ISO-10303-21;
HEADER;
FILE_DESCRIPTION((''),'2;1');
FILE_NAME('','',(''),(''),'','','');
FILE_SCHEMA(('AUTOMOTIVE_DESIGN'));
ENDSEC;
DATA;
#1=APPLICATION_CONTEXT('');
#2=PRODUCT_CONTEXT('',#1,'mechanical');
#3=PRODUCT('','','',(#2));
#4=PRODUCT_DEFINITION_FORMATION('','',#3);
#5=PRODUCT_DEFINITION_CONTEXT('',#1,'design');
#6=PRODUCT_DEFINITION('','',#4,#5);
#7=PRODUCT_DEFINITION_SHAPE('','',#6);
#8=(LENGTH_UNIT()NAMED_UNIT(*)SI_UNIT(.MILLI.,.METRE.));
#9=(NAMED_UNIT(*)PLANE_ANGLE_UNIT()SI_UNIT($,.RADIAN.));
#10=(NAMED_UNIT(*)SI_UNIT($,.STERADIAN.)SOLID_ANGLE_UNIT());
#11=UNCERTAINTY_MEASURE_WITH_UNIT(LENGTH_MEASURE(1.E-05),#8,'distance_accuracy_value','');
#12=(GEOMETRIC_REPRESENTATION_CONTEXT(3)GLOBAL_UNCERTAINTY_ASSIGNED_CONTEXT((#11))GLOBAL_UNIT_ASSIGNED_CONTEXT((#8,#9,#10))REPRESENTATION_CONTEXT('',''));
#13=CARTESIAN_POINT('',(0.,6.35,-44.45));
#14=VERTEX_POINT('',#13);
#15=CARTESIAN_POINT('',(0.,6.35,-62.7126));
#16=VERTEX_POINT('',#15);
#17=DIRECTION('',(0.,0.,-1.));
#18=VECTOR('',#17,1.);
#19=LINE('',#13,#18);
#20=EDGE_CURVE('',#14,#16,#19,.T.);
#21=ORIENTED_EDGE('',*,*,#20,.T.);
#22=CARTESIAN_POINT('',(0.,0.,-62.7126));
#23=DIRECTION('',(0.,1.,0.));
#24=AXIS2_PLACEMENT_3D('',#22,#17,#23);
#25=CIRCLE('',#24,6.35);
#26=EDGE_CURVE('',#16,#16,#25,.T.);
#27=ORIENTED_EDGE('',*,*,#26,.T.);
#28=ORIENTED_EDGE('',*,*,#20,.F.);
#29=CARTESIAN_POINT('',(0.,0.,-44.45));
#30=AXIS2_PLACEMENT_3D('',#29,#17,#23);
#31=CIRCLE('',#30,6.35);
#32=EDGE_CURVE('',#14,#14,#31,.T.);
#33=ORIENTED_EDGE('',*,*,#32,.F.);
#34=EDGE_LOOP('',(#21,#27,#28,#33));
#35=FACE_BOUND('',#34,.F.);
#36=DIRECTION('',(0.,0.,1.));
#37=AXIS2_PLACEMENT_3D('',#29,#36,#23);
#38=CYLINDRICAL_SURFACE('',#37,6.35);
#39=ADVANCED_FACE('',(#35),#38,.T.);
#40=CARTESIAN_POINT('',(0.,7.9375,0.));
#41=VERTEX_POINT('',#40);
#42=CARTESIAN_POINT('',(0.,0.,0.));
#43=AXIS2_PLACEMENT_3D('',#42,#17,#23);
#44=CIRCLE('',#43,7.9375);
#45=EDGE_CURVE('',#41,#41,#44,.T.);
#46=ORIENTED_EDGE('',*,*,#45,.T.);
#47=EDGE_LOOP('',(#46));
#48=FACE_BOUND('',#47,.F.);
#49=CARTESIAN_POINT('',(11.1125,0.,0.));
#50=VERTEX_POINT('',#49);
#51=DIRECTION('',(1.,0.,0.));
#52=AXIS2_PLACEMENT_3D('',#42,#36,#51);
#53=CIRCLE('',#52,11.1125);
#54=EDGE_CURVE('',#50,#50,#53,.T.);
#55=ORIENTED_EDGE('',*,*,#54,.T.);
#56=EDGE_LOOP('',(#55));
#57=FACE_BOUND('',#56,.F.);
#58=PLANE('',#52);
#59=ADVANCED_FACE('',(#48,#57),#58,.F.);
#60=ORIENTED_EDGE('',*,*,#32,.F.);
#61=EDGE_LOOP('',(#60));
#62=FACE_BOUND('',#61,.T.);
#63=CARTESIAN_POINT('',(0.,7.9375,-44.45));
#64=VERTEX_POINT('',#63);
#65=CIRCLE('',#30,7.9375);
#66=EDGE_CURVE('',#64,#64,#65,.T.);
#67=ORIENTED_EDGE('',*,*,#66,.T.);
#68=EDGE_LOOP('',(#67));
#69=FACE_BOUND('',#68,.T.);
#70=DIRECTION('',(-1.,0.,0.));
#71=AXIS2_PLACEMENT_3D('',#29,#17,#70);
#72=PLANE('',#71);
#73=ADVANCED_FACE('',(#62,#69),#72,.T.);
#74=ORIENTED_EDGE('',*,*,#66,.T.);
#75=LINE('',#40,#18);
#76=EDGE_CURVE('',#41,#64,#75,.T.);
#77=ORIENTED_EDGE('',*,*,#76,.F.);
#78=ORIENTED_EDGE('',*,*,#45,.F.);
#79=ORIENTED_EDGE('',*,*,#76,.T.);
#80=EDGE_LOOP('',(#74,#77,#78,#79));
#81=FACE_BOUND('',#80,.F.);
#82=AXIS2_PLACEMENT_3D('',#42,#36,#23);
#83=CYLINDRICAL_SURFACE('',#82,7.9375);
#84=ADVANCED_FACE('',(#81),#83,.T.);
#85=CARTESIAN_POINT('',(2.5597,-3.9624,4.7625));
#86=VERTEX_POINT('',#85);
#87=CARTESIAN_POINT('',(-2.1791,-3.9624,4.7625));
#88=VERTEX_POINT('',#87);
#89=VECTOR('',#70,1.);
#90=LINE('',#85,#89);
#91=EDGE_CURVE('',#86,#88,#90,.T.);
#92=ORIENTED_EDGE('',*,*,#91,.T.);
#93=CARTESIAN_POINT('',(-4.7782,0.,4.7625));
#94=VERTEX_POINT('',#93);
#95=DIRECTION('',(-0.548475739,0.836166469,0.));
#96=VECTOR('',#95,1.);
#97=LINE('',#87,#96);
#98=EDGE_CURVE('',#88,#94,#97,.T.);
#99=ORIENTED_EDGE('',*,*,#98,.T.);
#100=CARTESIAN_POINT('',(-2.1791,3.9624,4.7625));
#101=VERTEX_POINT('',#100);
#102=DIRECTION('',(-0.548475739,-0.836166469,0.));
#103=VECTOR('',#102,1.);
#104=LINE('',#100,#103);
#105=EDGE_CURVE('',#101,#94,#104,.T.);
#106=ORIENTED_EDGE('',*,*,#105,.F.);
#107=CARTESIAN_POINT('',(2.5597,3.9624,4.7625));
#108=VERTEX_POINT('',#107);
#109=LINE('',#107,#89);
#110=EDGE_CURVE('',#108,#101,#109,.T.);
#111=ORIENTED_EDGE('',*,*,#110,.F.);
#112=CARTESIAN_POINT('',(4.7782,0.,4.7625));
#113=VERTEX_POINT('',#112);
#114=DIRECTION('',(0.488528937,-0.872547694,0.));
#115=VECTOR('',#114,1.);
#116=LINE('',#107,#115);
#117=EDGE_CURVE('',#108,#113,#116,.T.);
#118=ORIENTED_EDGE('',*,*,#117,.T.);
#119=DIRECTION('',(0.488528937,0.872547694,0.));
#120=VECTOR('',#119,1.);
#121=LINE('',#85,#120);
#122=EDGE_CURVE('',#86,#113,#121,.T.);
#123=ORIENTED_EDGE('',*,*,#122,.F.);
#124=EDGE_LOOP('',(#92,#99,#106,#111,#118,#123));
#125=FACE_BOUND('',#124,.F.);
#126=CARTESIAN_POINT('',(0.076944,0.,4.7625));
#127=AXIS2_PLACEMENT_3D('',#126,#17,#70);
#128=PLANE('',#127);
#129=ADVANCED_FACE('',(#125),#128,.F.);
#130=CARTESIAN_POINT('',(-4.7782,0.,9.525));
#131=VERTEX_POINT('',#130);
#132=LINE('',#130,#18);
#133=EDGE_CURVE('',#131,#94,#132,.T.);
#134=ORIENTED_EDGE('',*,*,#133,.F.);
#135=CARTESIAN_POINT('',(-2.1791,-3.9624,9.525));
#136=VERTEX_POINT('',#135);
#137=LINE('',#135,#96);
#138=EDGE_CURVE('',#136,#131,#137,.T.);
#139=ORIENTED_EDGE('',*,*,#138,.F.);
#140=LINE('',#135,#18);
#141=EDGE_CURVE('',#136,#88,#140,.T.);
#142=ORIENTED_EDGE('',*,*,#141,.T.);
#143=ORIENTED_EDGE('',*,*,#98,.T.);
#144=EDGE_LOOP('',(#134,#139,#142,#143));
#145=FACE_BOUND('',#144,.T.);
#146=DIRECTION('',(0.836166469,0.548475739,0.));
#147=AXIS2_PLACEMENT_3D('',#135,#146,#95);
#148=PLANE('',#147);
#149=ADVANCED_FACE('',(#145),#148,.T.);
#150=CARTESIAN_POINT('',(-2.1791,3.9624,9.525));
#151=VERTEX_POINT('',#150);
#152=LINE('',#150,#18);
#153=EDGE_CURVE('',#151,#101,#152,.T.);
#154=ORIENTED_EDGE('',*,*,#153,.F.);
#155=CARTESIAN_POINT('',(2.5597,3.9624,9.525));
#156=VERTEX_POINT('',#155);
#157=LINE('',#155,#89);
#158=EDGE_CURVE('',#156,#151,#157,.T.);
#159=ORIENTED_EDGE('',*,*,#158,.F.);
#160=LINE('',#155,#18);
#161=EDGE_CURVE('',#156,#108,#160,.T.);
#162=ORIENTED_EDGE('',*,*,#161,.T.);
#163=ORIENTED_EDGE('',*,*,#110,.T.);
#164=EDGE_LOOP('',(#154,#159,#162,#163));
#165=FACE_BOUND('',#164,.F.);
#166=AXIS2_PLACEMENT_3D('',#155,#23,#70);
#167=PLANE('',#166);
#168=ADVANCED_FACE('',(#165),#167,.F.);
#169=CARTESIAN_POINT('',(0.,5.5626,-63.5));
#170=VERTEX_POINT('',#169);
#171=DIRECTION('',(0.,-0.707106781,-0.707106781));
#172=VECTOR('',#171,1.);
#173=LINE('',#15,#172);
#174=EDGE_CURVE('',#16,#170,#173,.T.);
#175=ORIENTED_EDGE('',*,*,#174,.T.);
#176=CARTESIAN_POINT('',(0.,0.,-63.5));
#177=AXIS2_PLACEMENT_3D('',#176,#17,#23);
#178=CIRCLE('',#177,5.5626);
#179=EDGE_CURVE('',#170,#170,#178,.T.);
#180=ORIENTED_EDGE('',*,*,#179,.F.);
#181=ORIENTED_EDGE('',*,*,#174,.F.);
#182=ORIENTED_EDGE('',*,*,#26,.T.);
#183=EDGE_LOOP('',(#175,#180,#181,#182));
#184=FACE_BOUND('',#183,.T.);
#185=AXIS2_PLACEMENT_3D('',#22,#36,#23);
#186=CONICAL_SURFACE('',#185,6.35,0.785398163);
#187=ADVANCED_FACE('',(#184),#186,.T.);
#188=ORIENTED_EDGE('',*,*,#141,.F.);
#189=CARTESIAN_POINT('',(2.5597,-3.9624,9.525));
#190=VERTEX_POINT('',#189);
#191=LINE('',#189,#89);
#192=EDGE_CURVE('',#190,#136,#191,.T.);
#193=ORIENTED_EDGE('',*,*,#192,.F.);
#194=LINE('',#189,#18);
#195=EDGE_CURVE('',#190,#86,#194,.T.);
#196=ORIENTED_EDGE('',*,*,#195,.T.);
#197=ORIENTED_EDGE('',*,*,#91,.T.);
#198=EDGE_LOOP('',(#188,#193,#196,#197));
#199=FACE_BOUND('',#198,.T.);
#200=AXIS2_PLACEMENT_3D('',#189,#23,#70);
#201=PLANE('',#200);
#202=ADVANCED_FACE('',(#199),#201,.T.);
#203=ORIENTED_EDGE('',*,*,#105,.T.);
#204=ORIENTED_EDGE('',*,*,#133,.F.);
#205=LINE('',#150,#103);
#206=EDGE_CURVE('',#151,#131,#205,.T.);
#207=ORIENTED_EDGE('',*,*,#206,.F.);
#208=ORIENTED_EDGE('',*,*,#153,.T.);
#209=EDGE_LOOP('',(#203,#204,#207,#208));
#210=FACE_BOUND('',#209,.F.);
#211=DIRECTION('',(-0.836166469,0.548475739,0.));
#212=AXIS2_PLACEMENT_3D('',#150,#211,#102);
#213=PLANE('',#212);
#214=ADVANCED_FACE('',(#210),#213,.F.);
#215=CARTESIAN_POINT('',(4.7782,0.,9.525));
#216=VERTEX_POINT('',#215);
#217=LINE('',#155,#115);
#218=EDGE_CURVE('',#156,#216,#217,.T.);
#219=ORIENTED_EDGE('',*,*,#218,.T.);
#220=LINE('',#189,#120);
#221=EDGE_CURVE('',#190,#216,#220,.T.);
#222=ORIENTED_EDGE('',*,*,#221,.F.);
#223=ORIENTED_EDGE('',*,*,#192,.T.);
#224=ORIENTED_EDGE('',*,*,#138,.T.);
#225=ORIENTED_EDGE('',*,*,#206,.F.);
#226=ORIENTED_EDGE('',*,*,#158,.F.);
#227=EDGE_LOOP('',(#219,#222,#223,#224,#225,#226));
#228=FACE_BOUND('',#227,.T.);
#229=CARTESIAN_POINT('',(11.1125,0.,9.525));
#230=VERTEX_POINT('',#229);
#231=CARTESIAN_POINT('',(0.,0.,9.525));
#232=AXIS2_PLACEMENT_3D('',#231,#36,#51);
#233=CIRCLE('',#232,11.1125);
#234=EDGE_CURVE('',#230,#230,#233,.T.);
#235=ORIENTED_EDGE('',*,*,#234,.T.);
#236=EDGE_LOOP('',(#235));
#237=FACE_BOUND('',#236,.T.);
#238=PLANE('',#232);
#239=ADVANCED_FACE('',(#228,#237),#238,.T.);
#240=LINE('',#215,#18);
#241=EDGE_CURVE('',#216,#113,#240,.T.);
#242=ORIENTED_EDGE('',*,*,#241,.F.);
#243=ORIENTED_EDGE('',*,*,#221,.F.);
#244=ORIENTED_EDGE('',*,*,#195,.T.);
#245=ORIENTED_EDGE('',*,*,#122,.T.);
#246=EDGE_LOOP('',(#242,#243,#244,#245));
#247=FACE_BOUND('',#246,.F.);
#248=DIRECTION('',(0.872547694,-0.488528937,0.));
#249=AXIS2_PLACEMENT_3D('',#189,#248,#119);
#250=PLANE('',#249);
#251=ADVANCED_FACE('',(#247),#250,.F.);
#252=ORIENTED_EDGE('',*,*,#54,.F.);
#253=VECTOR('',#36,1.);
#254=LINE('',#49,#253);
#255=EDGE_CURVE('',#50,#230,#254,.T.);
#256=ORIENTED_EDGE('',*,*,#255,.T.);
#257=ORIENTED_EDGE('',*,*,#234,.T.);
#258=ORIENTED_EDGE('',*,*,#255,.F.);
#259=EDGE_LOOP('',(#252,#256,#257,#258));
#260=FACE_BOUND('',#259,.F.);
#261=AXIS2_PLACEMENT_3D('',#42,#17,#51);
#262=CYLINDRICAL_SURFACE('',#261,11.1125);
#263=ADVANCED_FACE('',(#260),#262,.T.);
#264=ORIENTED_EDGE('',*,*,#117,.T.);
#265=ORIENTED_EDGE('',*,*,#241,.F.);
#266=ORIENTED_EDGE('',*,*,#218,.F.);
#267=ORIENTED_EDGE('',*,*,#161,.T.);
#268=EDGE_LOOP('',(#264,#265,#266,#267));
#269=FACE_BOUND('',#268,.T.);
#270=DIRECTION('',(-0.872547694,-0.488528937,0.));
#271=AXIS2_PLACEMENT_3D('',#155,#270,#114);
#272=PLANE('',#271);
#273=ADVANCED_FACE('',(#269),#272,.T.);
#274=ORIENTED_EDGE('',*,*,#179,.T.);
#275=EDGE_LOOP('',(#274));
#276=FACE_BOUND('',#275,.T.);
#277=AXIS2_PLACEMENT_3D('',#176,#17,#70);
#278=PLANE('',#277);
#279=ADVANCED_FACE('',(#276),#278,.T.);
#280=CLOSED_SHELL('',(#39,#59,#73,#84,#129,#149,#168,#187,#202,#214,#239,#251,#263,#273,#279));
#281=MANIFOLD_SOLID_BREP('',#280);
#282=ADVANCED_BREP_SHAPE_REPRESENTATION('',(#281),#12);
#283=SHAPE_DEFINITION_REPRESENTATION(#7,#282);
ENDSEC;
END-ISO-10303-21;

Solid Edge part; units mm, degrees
sketch "Sketch1" plane through (0, 0, 0) normal (0, 0, 1) x (1, 0, 0)
  circle A0 centre (0, 0) radius 11.1125
  dimension "D1" = 22.225
extrude "Protrusion1" add sketch "Sketch1" along normal blind 9.525
sketch "Sketch2" plane through (0, 0, 0) normal (0, 0, -1) x (0, 1, 0)
  circle A0 centre (0, 0) radius 7.9375
  dimension "D1" = 15.875
extrude "Protrusion2" add sketch "Sketch2" along normal blind 44.45
sketch "Sketch3" plane through (0, 0, -44.45) normal (0, 0, -1) x (0, 1, 0)
  circle A0 centre (0, 0) radius 6.35
  dimension "D1" = 12.7
extrude "Protrusion3" add sketch "Sketch3" along normal blind 19.05
sketch "Sketch4" plane through (0, 0, 9.525) normal (0, 0, 1) x (0, 1, 0)
  line L0 (-3.9624, 2.1791) -> (0, 4.7782)
  line L1 (-3.9624, -2.5597) -> (-3.9624, 2.1791)
  line L2 (-3.9624, -2.5597) -> (0, -4.7782)
  line L3 (3.9624, -2.5597) -> (0, -4.7782)
  line L4 (3.9624, -2.5597) -> (3.9624, 2.1791)
  line L5 (3.9624, 2.1791) -> (0, 4.7782)
  dimension "D1" = 7.9248
extrude "Cutout1" cut sketch "Sketch4" against normal blind 4.7625
chamfer "Chamfer1" distance 0.7874 angle 45 1 edges at (0, -6.35, -63.5)
properties part number "24104955"
